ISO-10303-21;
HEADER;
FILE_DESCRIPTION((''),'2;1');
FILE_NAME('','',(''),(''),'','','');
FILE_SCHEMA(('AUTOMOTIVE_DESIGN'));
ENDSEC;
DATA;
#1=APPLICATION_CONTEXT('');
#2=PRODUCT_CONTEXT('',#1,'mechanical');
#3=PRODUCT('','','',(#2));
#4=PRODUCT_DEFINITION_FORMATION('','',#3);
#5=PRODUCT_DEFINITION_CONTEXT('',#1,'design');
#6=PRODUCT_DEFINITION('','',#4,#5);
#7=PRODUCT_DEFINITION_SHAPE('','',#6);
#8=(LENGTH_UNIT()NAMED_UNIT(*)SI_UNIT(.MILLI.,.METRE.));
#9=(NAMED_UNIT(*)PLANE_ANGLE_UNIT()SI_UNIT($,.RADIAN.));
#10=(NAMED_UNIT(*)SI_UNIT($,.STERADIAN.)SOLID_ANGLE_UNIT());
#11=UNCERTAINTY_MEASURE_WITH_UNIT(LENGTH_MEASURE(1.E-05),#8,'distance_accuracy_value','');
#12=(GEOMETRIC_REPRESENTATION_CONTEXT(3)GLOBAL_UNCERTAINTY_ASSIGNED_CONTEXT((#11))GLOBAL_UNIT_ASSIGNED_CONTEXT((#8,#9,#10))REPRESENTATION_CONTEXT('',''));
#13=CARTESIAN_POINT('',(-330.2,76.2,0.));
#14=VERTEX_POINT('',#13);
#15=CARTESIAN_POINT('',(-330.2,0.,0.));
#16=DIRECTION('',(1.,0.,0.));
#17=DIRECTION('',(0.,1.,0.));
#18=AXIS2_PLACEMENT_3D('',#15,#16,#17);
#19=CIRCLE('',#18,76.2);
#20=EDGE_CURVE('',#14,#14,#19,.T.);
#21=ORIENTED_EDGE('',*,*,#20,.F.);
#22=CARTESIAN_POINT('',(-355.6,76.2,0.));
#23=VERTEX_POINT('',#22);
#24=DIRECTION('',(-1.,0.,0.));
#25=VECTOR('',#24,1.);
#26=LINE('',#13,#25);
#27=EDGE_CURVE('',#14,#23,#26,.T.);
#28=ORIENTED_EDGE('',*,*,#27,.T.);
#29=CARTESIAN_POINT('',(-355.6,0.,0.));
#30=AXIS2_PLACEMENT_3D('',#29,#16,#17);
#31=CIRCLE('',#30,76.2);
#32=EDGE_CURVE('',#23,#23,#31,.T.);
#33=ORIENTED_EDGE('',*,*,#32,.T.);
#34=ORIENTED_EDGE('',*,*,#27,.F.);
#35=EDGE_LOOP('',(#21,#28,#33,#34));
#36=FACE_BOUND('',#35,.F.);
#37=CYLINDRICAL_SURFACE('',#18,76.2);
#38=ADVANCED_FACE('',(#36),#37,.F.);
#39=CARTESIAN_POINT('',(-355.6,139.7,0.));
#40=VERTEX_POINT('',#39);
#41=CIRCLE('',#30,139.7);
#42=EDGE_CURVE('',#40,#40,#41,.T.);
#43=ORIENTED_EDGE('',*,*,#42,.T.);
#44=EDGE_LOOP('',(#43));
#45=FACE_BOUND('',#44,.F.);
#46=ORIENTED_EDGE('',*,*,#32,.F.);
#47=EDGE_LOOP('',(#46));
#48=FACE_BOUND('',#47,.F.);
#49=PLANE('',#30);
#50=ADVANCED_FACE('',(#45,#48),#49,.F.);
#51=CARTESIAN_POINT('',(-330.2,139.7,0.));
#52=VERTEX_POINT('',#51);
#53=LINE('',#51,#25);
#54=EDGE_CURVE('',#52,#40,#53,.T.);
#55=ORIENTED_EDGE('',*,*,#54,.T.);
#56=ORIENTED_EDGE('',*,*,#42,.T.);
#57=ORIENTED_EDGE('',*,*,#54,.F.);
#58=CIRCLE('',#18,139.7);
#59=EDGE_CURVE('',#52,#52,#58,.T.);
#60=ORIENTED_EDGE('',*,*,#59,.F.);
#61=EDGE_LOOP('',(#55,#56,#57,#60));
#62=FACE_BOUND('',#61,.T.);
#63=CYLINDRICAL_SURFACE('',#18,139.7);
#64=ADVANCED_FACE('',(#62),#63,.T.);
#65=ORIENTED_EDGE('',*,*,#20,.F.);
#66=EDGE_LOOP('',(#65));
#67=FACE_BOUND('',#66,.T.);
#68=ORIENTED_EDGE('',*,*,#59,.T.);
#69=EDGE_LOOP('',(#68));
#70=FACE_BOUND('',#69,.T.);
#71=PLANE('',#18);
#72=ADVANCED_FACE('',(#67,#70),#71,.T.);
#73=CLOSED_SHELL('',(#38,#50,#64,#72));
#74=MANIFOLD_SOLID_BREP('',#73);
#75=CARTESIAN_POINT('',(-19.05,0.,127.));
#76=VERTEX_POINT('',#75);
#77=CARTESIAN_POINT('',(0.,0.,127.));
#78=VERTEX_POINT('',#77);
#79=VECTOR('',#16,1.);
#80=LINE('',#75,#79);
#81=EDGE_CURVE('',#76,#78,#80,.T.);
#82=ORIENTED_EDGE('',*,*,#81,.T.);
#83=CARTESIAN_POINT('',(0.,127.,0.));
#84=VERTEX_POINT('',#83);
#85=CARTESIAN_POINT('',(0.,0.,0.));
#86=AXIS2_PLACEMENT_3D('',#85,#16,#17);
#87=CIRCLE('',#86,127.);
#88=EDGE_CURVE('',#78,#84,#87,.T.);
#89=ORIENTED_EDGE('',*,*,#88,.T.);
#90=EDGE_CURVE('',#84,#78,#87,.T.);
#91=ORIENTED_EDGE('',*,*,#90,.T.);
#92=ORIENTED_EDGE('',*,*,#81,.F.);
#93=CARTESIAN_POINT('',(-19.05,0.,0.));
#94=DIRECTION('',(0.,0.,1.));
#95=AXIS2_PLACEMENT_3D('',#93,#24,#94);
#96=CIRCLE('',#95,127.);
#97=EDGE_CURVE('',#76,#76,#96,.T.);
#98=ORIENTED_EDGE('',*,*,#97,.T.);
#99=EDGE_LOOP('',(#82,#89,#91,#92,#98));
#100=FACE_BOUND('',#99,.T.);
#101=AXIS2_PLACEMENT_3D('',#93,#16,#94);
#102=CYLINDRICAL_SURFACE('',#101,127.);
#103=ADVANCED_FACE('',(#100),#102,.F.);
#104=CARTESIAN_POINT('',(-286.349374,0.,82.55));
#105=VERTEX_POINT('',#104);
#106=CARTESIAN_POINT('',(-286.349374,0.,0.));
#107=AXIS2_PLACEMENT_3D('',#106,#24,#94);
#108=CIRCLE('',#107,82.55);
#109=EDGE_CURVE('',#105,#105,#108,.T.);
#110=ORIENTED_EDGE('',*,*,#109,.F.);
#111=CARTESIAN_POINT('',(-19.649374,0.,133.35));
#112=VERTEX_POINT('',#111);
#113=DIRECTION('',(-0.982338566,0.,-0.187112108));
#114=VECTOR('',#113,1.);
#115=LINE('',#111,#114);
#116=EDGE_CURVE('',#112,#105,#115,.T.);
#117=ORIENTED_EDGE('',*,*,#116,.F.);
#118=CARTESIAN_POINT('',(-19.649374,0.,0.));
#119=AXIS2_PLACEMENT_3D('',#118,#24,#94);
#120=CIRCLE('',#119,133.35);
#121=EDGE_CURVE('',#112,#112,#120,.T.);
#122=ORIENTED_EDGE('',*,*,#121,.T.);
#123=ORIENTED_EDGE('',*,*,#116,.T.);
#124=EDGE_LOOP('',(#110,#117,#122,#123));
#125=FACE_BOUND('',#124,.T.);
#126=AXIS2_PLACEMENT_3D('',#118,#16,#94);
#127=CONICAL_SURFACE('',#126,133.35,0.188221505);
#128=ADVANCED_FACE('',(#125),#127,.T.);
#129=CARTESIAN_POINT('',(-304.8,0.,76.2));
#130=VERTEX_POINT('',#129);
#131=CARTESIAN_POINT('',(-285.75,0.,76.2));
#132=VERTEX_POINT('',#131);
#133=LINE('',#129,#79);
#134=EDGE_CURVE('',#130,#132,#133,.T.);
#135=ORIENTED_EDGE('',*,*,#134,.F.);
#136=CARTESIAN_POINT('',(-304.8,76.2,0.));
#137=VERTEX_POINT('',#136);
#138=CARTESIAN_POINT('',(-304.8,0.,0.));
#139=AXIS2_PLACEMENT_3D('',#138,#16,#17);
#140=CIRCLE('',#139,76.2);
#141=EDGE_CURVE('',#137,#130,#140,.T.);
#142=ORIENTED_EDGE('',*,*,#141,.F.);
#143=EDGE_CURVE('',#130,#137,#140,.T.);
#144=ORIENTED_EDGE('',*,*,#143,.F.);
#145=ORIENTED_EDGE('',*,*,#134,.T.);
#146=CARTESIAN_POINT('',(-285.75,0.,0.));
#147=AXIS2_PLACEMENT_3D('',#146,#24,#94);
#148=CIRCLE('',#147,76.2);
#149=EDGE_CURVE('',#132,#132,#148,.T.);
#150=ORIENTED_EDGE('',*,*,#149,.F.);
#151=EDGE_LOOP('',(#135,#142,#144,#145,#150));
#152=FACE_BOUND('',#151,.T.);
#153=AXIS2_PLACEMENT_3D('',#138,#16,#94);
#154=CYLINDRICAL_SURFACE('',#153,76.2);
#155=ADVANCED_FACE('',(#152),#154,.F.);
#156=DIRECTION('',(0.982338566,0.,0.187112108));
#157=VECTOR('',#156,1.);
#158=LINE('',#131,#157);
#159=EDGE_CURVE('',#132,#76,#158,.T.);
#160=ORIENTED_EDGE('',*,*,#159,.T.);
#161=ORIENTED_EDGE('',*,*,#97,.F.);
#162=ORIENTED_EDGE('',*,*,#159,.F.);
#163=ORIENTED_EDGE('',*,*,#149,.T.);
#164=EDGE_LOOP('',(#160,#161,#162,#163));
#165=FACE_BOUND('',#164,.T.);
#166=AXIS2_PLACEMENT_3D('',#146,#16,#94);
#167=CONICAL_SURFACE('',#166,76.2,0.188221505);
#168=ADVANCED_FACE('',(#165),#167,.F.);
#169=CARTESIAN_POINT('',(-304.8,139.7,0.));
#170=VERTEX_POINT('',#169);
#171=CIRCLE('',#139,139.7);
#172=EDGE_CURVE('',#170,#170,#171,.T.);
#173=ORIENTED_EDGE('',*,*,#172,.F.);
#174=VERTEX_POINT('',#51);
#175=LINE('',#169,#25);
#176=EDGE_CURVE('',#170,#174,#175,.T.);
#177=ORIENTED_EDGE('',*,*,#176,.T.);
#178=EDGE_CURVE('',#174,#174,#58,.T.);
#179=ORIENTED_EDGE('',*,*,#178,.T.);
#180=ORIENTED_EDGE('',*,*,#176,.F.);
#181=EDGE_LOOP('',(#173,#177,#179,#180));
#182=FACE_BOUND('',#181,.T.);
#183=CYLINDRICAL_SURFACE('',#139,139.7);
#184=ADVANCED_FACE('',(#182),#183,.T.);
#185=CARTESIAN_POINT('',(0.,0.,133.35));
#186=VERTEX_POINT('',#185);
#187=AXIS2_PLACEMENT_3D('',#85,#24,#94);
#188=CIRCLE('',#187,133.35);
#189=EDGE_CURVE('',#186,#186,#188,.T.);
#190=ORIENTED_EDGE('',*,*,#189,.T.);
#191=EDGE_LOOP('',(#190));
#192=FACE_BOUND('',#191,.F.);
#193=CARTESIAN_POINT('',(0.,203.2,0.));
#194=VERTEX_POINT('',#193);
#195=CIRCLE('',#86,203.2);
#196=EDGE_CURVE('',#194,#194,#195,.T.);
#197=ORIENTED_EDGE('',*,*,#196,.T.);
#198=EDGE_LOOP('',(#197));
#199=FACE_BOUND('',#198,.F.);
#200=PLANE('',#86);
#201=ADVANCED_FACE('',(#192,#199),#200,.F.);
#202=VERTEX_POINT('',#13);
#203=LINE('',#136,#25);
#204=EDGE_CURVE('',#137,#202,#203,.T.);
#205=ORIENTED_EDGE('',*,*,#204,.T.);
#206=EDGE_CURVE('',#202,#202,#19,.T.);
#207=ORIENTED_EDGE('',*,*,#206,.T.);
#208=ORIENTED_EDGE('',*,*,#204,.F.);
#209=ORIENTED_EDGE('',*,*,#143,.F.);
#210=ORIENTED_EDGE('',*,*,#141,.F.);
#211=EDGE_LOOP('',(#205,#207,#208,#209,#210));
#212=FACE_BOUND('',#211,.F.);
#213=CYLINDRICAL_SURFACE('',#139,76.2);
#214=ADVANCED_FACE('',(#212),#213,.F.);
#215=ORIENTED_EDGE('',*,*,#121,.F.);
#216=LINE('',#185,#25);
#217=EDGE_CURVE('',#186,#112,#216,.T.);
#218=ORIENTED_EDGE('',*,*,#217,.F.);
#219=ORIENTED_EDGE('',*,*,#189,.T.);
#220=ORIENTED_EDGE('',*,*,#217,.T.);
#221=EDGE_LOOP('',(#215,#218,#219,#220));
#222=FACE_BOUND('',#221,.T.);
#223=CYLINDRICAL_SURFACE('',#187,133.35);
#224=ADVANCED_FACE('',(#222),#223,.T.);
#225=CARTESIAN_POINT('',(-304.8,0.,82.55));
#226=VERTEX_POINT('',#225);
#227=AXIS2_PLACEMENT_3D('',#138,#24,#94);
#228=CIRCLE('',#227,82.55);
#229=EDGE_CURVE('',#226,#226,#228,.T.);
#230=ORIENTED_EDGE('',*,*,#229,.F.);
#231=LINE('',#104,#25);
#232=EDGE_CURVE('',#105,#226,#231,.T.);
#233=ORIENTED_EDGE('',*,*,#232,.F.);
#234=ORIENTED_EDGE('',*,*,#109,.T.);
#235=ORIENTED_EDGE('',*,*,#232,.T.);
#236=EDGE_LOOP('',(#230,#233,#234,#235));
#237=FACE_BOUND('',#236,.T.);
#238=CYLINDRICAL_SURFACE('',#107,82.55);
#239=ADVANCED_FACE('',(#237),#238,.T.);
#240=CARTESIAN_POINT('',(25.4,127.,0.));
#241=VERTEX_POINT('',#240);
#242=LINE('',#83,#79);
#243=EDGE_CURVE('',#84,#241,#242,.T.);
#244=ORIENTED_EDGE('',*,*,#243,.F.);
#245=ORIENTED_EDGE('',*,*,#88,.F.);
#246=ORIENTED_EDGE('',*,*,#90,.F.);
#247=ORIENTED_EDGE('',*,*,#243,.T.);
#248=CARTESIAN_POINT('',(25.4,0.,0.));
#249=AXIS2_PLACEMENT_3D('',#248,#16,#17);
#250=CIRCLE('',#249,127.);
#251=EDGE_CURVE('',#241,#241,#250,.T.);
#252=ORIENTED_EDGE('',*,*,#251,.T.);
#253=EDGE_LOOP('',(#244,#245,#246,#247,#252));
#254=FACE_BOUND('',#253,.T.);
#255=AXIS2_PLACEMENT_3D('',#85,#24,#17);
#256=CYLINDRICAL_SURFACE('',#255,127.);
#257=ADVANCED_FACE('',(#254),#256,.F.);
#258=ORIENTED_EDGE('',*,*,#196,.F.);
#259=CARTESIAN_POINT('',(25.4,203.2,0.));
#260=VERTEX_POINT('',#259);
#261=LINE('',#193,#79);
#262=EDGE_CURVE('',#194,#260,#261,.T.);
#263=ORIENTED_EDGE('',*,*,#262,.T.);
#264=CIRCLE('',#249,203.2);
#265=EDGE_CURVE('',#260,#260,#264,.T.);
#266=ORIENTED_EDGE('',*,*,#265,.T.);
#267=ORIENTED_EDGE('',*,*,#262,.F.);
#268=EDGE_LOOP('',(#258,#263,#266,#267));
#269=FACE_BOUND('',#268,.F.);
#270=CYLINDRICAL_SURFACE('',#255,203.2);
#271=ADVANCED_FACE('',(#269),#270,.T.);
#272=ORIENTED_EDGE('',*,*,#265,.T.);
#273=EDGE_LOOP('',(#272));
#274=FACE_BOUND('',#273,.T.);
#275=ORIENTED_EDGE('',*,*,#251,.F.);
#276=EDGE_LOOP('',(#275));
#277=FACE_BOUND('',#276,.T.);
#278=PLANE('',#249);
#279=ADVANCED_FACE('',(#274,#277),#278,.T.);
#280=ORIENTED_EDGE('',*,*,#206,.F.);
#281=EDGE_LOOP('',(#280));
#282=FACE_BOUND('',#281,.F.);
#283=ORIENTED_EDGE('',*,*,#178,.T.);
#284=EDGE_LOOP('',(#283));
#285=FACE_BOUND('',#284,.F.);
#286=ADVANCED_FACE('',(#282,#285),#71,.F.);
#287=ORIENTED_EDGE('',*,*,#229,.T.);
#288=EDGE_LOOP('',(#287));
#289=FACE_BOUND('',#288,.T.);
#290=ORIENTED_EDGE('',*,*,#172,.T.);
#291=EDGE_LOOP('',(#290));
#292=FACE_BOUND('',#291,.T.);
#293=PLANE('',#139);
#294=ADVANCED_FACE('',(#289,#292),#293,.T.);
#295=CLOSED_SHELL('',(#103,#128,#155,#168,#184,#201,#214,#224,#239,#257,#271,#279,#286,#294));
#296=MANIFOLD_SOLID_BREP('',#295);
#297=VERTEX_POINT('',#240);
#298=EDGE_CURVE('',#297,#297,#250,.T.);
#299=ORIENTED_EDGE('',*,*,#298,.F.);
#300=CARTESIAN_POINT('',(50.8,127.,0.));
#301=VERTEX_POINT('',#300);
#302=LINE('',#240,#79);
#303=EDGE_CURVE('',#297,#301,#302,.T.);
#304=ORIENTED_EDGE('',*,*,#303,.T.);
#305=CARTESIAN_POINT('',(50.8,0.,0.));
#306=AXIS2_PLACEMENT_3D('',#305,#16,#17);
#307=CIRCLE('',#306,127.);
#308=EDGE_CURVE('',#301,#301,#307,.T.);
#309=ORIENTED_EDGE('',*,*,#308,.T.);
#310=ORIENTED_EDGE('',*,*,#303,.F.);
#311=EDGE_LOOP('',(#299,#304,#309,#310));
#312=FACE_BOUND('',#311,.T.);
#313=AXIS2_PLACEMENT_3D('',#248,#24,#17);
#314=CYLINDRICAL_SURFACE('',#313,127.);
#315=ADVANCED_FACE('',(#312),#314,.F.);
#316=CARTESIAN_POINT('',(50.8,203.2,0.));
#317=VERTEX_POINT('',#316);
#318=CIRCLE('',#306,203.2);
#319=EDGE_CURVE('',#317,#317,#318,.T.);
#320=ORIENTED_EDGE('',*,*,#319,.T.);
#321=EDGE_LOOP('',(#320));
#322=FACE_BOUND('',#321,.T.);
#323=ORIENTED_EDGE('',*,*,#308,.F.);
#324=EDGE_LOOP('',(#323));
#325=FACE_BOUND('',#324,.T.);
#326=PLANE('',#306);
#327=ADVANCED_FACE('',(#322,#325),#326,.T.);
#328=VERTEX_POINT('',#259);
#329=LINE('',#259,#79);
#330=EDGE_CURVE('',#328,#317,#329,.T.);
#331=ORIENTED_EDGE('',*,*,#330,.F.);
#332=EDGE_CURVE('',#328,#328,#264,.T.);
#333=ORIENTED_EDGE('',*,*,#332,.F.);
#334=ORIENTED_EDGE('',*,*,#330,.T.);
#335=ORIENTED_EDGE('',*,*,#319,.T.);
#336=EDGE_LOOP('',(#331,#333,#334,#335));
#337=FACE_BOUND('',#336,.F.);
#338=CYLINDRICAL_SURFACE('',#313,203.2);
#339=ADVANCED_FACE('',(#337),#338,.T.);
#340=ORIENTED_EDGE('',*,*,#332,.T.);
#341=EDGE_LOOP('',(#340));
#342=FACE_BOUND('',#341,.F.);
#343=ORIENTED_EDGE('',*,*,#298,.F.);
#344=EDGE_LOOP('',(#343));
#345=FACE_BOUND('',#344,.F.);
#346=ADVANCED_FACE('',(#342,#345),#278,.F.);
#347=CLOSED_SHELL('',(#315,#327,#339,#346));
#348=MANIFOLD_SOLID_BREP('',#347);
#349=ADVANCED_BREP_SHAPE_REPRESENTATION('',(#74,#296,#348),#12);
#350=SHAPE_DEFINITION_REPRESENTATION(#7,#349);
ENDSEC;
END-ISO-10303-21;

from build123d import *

# Parameters (mm, degrees)
F0_R      = 203.2
F0_R_2    = 127
F1_DEPTH  = 25.4
F3_R      = 139.7
F3_R_2    = 76.2
F4_DEPTH  = 25.4
F9_DEPTH  = 25.4
F10_DEPTH = 25.4


with BuildPart() as f1:
    # F0 (on Right) → F1 (new body)
    with BuildSketch(Plane.YZ):
        Circle(F0_R)
        Circle(F0_R_2, mode=Mode.SUBTRACT)
    extrude(amount=F1_DEPTH)



with BuildPart() as f4:
    # F3 (on offset) → F4 (new body)
    with BuildSketch(Plane.YZ.offset(-304.8)):
        Circle(F3_R)
        Circle(F3_R_2, mode=Mode.SUBTRACT)
    extrude(amount=-F4_DEPTH)


with BuildPart() as f1_1:
    add(f1.part)

    add(f4.part)  # F8 merges F4
    # F7 (on Front) → F8 (revolve)
    with BuildSketch(Plane.XZ):
        Polygon((-304.8, 82.55), (-304.8, 76.2), (-285.75, 76.2), (-19.05, 127), (0, 127), (0, 133.35), (-19.6493738432, 133.35), (-286.3493738432, 82.55), align=None)
    revolve(axis=Axis((-150.1979082823, 0, 0), (-1, 0, 0)))


with BuildPart() as f9:
    # F9 (new): a face of the model
    f9_faces = [f1_1.part.faces().sort_by_distance(p)[0] for p in [
        (-330.2, -135.7486873067, 0),
    ]]
    extrude(f9_faces, amount=F9_DEPTH)


with BuildPart() as f10:
    # F10 (new): a face of the model
    f10_faces = [f1_1.part.faces().sort_by_distance(p)[0] for p in [
        (25.4, -197.4526360825, 0),
    ]]
    extrude(f10_faces, amount=F10_DEPTH)


solid = Compound([f1_1.part, f9.part, f10.part])
